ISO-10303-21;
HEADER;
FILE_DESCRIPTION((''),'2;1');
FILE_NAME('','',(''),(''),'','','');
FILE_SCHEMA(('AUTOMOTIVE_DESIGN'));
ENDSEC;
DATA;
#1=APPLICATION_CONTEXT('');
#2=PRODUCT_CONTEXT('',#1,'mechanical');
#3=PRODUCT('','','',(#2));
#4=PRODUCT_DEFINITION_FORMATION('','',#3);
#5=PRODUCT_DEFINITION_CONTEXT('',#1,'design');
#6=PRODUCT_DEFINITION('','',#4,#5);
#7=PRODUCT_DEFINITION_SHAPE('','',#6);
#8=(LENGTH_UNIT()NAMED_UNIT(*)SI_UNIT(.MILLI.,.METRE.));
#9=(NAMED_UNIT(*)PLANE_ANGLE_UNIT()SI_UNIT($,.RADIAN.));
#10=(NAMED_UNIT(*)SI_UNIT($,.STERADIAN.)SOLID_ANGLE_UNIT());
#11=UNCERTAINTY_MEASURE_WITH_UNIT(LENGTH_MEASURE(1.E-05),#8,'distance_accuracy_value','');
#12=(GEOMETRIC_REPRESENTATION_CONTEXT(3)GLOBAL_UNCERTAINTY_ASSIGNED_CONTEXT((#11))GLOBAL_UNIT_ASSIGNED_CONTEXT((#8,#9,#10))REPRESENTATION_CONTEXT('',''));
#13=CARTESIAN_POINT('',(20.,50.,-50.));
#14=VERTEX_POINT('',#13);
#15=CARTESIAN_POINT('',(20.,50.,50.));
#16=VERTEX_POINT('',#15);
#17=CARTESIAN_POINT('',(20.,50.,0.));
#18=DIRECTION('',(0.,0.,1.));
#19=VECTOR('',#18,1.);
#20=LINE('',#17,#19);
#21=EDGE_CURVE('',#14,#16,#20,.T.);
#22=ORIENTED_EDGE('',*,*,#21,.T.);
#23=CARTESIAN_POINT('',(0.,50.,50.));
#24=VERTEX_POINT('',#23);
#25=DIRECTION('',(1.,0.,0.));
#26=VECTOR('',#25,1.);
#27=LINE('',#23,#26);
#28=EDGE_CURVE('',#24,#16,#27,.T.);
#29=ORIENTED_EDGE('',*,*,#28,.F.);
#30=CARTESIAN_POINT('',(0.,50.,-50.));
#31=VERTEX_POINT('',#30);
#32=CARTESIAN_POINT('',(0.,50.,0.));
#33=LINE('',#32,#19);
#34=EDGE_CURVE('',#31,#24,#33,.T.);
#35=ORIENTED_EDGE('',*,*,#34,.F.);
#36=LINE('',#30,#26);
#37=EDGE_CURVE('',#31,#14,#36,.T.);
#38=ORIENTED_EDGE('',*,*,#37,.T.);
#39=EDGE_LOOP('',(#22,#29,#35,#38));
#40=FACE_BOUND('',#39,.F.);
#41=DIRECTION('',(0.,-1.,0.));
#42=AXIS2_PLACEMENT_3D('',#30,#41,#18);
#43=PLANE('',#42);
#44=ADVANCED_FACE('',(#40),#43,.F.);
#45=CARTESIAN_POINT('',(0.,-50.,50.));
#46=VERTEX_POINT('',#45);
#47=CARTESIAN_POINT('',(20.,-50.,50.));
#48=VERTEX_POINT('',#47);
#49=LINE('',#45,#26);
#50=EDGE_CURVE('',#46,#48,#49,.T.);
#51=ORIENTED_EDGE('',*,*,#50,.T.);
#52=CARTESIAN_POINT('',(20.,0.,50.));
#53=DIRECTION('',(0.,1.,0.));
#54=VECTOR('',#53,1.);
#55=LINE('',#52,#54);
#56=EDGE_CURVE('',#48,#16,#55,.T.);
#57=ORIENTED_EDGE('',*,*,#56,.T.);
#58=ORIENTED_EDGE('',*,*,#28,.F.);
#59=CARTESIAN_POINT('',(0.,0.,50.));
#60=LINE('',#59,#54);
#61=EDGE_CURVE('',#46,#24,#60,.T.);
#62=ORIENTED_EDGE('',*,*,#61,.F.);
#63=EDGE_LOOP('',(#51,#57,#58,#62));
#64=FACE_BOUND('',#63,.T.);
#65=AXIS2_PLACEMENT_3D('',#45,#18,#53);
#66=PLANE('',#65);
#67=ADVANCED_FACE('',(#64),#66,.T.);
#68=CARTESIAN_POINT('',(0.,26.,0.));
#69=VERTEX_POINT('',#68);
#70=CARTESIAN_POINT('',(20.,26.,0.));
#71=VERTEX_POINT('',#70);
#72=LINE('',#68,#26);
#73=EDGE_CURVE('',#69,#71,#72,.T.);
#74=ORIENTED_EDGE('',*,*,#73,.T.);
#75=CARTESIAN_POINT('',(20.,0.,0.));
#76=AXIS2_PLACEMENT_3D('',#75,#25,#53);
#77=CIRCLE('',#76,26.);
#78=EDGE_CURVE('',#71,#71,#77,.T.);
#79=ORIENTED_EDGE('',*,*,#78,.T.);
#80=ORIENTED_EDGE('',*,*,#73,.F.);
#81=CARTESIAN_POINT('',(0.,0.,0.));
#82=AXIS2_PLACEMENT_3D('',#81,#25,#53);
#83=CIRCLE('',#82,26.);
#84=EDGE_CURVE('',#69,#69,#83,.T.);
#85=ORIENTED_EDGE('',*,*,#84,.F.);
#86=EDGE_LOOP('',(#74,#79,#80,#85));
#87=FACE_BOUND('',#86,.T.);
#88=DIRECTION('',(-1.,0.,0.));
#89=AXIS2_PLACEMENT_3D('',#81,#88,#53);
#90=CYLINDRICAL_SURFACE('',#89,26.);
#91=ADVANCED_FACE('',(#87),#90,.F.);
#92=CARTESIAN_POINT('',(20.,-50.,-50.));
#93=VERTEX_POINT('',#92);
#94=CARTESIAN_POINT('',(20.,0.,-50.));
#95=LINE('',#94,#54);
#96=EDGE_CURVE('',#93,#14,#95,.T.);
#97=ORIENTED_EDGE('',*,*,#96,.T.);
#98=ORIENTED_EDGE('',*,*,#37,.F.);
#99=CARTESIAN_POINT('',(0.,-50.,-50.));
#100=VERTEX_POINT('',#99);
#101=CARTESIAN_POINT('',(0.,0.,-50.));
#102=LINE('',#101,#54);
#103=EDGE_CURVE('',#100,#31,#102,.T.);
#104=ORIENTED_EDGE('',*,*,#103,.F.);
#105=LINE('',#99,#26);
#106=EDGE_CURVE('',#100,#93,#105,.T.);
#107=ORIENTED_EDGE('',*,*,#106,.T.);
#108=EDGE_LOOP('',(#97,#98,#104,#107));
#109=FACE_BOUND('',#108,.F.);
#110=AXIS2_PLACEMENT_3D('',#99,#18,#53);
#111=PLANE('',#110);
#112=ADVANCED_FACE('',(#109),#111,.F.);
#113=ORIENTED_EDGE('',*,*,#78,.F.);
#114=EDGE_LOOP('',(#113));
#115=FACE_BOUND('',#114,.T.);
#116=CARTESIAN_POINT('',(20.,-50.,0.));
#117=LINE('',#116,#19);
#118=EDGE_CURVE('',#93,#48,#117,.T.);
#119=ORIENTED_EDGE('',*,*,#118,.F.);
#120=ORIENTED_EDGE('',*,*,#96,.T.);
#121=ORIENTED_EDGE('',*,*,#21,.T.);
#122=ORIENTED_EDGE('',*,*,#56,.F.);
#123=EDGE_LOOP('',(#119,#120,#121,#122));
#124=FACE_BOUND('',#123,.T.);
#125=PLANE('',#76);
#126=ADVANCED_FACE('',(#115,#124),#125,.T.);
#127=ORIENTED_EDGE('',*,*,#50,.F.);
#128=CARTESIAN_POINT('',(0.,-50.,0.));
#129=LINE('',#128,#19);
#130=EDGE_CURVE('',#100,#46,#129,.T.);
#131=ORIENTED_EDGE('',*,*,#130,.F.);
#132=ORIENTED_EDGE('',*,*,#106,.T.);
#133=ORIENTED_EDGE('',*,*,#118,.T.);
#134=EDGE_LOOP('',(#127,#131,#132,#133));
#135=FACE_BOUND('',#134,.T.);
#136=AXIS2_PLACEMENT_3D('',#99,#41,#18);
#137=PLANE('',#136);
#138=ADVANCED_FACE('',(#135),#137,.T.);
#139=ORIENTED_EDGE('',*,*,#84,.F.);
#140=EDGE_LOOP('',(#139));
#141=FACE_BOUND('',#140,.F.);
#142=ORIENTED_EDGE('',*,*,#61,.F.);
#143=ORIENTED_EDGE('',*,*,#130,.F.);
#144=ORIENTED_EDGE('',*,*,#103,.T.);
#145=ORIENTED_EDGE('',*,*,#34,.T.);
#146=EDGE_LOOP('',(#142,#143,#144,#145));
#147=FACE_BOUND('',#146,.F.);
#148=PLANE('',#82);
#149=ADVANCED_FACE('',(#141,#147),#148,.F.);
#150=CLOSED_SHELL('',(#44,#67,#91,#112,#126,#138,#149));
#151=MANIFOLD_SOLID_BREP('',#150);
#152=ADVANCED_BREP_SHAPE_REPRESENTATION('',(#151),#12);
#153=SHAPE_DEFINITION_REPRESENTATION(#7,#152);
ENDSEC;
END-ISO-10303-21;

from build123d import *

# Parameters (mm, degrees)
F0_W     = 100
F0_H     = 100
F0_R     = 26
F1_DEPTH = 20


with BuildPart() as f1:
    # F0 (on Right) → F1 (new body)
    with BuildSketch(Plane.YZ):
        Rectangle(F0_W, F0_H)
        Circle(F0_R, mode=Mode.SUBTRACT)
    extrude(amount=F1_DEPTH)


solid = f1.part
